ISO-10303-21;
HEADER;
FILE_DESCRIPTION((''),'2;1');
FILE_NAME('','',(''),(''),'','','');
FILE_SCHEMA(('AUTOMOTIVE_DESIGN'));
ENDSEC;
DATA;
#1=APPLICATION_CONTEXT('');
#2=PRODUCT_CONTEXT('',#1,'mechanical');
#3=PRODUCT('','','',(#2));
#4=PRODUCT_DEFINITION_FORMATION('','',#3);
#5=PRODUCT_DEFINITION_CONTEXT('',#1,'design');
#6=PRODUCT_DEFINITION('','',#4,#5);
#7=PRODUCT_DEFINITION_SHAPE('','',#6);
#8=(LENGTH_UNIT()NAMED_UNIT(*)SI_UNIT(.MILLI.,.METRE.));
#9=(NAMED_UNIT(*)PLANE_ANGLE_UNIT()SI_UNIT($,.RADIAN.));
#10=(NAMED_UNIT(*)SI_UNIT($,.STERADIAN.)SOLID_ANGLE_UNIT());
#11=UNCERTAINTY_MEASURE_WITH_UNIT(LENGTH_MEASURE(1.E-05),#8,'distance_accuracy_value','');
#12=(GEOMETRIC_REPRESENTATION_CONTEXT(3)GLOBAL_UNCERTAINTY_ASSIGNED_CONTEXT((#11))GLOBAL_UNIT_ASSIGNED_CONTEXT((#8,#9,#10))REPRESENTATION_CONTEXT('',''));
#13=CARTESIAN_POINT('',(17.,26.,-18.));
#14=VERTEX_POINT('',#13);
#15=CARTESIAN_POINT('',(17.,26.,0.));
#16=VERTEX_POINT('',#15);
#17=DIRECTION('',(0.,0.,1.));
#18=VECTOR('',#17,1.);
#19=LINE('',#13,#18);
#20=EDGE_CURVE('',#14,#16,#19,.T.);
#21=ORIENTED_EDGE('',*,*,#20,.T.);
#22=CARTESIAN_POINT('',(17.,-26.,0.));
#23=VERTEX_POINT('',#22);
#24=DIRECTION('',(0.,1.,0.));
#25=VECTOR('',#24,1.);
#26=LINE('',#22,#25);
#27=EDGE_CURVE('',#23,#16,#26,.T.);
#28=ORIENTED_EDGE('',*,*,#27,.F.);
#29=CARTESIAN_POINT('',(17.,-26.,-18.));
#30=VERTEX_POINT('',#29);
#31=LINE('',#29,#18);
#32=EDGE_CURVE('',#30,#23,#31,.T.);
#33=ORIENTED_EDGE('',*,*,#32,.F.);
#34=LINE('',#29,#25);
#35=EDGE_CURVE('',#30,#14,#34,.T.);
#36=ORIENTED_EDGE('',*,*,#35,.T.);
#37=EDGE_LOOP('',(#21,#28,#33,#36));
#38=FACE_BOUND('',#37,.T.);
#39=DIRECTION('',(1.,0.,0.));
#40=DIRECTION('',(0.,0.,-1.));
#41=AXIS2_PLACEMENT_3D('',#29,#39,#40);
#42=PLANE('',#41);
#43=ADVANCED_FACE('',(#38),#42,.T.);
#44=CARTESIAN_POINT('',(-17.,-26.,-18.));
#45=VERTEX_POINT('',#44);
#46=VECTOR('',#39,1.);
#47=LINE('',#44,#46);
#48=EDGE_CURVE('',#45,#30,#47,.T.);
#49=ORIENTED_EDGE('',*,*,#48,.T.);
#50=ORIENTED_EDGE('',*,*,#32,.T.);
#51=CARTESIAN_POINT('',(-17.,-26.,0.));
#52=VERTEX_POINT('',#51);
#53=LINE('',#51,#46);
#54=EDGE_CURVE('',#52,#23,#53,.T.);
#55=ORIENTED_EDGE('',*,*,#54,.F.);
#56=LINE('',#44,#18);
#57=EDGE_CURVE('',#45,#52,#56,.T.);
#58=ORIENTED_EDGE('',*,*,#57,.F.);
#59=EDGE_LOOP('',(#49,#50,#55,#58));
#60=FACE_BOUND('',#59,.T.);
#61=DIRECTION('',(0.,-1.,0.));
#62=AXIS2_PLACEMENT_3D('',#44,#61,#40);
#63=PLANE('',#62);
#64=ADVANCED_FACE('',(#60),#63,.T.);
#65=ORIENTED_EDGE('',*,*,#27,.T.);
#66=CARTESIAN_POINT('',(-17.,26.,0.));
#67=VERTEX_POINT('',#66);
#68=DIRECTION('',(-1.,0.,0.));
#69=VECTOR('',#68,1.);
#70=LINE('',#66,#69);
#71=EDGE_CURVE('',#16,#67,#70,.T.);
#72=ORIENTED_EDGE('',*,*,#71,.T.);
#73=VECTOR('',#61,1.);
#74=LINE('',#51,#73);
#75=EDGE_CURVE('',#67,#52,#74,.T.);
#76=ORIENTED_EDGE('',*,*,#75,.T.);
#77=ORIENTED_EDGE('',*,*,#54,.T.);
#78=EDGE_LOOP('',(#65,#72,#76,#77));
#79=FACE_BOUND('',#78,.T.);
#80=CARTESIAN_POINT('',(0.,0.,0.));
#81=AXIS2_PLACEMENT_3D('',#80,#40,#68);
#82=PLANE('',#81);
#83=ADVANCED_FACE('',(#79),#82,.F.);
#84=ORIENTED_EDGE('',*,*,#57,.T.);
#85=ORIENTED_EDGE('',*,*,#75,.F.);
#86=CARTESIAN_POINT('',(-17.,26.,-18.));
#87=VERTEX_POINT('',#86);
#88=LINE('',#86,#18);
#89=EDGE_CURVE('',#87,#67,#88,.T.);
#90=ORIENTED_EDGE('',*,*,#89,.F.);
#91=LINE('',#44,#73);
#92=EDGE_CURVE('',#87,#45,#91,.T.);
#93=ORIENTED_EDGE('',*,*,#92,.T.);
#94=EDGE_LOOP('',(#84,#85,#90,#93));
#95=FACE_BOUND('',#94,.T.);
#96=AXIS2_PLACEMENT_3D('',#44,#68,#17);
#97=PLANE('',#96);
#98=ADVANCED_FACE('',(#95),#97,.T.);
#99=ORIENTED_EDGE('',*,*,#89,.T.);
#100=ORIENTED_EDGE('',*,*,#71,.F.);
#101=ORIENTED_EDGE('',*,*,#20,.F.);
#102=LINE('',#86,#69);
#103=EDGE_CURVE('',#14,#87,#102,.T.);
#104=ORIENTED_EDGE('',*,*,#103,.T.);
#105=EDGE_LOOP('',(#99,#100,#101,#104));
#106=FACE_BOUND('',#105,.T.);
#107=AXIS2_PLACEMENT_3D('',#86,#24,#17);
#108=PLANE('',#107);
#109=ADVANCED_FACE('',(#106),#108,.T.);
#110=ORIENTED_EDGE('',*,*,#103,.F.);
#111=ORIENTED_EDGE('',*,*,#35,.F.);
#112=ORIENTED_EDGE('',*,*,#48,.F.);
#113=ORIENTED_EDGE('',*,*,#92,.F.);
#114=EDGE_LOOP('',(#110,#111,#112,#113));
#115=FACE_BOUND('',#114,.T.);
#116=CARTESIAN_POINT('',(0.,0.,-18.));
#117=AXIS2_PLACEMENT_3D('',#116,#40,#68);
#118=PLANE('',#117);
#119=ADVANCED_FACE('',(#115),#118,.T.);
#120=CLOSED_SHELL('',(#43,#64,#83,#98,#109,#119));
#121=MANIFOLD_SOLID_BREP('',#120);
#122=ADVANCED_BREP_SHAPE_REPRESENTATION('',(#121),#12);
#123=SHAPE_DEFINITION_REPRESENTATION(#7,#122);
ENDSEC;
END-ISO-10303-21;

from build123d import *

# Parameters (mm, degrees)
SKETCH_1_W      = 34
SKETCH_1_H      = 52
EXTRUDE_1_DEPTH = 18


with BuildPart() as part:
    # 草图1 → 凸台-拉伸1 (new body)
    with BuildSketch(Plane.XY):
        Rectangle(SKETCH_1_W, SKETCH_1_H)
    extrude(amount=-EXTRUDE_1_DEPTH)


solid = part.part
